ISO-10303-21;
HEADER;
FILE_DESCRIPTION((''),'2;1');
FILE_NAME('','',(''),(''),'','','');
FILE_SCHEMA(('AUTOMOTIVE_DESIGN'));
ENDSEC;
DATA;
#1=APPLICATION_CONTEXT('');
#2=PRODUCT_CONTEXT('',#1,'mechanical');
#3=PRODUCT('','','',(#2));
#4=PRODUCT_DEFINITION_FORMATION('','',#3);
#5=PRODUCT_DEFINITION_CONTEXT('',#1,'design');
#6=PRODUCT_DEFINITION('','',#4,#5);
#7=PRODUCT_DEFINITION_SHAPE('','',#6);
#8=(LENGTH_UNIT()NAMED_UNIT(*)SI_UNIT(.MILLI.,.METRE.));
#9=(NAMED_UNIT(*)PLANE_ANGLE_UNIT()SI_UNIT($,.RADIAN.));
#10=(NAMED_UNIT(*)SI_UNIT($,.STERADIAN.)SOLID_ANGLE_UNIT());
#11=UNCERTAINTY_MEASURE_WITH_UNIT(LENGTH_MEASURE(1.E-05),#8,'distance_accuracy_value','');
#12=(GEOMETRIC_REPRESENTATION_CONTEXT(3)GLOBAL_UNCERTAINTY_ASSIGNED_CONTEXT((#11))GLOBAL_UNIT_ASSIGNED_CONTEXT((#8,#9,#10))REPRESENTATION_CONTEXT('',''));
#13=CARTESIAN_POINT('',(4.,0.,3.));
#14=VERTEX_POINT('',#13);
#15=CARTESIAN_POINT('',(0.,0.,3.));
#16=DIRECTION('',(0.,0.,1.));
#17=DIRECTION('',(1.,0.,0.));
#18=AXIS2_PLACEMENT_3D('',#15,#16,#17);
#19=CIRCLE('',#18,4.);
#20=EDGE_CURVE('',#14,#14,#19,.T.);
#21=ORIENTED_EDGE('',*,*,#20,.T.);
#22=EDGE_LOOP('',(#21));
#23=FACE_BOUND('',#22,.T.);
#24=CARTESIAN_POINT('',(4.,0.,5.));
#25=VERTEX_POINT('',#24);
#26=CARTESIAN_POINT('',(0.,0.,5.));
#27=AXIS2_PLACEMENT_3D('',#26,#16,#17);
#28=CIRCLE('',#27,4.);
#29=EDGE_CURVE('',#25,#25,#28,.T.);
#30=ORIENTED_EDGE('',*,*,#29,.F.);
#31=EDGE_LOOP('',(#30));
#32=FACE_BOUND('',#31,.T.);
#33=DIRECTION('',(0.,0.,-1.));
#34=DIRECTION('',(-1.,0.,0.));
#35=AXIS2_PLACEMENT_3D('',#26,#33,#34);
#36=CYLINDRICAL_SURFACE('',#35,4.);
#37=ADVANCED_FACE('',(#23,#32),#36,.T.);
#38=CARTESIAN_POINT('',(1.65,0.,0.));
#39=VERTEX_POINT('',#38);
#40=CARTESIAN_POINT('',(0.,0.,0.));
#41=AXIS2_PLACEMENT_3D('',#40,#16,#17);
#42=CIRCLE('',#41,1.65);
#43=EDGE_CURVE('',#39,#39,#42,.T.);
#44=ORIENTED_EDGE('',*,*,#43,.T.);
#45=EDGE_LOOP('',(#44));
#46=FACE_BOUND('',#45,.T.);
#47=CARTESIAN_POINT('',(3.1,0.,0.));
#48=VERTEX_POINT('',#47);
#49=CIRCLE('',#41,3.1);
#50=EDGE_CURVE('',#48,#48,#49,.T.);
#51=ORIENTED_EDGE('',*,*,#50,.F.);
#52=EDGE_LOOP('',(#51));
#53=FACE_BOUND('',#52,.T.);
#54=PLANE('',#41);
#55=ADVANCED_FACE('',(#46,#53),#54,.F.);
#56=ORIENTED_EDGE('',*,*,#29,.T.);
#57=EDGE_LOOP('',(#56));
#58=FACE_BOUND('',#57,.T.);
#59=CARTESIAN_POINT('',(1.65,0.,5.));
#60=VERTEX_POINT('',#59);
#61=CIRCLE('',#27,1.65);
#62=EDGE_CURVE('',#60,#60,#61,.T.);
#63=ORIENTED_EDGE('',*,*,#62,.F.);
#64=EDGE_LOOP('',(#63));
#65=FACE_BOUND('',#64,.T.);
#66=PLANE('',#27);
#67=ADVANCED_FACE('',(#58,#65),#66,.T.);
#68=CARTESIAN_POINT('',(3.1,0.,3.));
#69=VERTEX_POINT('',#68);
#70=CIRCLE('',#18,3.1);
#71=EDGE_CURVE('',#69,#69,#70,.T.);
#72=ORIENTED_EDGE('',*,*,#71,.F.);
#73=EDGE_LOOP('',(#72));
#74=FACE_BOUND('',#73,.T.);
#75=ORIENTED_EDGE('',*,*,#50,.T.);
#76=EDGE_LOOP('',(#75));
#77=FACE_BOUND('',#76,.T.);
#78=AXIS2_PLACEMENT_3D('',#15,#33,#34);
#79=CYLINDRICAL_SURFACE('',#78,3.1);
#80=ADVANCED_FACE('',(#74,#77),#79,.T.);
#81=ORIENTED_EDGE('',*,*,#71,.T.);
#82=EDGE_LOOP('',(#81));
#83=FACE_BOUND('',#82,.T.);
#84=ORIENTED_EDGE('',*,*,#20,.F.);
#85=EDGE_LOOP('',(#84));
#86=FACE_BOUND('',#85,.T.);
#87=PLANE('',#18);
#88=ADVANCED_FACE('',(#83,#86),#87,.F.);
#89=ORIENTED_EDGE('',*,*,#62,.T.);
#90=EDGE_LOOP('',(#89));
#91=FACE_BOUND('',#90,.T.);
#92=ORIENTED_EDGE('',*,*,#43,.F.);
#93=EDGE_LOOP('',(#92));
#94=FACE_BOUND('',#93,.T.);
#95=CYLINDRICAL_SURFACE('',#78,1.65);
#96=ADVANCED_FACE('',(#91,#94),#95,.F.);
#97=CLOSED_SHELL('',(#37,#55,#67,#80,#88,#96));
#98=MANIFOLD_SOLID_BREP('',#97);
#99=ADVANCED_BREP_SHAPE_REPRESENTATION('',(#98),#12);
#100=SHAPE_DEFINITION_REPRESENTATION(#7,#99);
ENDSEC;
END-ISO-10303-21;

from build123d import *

# Parameters (mm, degrees)
SKETCH_1_R      = 3.1
SKETCH_1_R_2    = 1.65
EXTRUDE_1_DEPTH = 3
SKETCH_2_R      = 4
SKETCH_2_R_2    = 1.65
EXTRUDE_2_DEPTH = 2


with BuildPart() as part:
    # 草图1 → 凸台-拉伸1 (new body)
    with BuildSketch(Plane.XY):
        Circle(SKETCH_1_R)
        Circle(SKETCH_1_R_2, mode=Mode.SUBTRACT)
    extrude(amount=EXTRUDE_1_DEPTH)

    # 草图2 → 凸台-拉伸2 (add)
    with BuildSketch(Plane.XY.offset(3)):
        Circle(SKETCH_2_R)
        Circle(SKETCH_2_R_2, mode=Mode.SUBTRACT)
    extrude(amount=EXTRUDE_2_DEPTH)


solid = part.part
